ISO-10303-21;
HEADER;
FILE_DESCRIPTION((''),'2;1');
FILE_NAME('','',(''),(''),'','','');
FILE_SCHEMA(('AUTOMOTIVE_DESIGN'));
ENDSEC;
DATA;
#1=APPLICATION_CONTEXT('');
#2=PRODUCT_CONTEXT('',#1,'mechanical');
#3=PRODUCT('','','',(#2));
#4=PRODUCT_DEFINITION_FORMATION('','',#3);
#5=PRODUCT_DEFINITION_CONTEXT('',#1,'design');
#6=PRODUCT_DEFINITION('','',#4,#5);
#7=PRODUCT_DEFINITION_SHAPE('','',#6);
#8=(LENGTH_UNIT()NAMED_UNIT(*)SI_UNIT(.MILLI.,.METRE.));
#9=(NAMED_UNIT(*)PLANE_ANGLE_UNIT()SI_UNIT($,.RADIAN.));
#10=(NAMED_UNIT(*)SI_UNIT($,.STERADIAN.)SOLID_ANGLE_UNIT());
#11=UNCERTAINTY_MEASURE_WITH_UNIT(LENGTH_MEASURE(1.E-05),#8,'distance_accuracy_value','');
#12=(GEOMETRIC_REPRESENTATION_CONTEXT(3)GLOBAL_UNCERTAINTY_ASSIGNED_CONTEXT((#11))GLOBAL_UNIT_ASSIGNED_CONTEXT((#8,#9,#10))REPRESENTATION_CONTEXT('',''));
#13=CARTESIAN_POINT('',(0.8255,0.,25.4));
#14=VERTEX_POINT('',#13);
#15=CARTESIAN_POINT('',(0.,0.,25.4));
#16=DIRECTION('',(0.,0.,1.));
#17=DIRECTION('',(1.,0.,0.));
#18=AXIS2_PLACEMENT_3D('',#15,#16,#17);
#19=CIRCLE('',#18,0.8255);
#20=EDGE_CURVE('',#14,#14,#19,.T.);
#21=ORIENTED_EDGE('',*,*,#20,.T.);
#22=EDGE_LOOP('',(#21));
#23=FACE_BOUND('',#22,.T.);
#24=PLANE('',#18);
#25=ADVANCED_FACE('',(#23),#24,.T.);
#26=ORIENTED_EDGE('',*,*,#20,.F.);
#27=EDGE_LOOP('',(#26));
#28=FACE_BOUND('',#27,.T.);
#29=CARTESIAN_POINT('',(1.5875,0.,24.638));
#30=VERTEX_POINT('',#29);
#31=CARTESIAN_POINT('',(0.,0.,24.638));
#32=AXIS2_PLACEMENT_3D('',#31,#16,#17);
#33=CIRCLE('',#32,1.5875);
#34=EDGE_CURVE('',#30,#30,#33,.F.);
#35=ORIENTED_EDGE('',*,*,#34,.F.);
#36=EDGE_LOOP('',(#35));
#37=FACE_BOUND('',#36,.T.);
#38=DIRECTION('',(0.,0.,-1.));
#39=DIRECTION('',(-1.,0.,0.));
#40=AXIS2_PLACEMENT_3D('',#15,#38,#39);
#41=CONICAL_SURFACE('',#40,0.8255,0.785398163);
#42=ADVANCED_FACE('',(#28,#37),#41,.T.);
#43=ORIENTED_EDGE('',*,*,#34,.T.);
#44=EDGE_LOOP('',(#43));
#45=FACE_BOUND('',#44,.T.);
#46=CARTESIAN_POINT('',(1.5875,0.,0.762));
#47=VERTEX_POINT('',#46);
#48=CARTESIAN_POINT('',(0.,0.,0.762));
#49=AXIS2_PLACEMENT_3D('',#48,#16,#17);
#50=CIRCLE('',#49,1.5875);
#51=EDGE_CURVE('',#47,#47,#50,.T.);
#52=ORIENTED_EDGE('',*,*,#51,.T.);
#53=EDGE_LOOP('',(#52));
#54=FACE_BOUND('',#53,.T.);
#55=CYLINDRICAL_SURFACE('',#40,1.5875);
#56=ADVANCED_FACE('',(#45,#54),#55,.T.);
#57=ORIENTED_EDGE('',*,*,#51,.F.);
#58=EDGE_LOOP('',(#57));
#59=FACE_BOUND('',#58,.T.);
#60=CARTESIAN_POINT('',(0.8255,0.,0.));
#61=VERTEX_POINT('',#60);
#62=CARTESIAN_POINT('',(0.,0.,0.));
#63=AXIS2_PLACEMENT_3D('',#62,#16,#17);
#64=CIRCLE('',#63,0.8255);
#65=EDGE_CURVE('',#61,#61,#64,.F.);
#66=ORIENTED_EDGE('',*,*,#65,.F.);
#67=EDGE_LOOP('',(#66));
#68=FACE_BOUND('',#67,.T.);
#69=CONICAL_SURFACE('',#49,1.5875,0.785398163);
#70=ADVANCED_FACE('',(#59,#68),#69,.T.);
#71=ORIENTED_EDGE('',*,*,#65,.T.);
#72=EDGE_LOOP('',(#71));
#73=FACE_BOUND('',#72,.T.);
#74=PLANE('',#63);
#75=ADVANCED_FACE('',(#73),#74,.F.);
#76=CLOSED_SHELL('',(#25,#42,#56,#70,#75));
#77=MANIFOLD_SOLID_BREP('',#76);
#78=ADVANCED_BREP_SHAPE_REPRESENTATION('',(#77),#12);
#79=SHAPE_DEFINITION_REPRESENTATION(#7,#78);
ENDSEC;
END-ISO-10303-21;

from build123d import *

# Parameters (mm, degrees)
SKETCH1_R           = 1.5875
BOSS_EXTRUDE1_DEPTH = 25.4
CHAMFER2_SIZE       = 0.762


with BuildPart() as part:
    # Sketch1 → Boss-Extrude1 (new body)
    with BuildSketch(Plane.XY):
        Circle(SKETCH1_R)
    extrude(amount=BOSS_EXTRUDE1_DEPTH)

    # Chamfer2
    chamfer2_edges = [part.edges().sort_by_distance(p)[0] for p in [
        (-1.5875, 0, 0),
        (-1.5875, 0, 25.4),
    ]]
    chamfer(chamfer2_edges, length=CHAMFER2_SIZE)


solid = part.part
